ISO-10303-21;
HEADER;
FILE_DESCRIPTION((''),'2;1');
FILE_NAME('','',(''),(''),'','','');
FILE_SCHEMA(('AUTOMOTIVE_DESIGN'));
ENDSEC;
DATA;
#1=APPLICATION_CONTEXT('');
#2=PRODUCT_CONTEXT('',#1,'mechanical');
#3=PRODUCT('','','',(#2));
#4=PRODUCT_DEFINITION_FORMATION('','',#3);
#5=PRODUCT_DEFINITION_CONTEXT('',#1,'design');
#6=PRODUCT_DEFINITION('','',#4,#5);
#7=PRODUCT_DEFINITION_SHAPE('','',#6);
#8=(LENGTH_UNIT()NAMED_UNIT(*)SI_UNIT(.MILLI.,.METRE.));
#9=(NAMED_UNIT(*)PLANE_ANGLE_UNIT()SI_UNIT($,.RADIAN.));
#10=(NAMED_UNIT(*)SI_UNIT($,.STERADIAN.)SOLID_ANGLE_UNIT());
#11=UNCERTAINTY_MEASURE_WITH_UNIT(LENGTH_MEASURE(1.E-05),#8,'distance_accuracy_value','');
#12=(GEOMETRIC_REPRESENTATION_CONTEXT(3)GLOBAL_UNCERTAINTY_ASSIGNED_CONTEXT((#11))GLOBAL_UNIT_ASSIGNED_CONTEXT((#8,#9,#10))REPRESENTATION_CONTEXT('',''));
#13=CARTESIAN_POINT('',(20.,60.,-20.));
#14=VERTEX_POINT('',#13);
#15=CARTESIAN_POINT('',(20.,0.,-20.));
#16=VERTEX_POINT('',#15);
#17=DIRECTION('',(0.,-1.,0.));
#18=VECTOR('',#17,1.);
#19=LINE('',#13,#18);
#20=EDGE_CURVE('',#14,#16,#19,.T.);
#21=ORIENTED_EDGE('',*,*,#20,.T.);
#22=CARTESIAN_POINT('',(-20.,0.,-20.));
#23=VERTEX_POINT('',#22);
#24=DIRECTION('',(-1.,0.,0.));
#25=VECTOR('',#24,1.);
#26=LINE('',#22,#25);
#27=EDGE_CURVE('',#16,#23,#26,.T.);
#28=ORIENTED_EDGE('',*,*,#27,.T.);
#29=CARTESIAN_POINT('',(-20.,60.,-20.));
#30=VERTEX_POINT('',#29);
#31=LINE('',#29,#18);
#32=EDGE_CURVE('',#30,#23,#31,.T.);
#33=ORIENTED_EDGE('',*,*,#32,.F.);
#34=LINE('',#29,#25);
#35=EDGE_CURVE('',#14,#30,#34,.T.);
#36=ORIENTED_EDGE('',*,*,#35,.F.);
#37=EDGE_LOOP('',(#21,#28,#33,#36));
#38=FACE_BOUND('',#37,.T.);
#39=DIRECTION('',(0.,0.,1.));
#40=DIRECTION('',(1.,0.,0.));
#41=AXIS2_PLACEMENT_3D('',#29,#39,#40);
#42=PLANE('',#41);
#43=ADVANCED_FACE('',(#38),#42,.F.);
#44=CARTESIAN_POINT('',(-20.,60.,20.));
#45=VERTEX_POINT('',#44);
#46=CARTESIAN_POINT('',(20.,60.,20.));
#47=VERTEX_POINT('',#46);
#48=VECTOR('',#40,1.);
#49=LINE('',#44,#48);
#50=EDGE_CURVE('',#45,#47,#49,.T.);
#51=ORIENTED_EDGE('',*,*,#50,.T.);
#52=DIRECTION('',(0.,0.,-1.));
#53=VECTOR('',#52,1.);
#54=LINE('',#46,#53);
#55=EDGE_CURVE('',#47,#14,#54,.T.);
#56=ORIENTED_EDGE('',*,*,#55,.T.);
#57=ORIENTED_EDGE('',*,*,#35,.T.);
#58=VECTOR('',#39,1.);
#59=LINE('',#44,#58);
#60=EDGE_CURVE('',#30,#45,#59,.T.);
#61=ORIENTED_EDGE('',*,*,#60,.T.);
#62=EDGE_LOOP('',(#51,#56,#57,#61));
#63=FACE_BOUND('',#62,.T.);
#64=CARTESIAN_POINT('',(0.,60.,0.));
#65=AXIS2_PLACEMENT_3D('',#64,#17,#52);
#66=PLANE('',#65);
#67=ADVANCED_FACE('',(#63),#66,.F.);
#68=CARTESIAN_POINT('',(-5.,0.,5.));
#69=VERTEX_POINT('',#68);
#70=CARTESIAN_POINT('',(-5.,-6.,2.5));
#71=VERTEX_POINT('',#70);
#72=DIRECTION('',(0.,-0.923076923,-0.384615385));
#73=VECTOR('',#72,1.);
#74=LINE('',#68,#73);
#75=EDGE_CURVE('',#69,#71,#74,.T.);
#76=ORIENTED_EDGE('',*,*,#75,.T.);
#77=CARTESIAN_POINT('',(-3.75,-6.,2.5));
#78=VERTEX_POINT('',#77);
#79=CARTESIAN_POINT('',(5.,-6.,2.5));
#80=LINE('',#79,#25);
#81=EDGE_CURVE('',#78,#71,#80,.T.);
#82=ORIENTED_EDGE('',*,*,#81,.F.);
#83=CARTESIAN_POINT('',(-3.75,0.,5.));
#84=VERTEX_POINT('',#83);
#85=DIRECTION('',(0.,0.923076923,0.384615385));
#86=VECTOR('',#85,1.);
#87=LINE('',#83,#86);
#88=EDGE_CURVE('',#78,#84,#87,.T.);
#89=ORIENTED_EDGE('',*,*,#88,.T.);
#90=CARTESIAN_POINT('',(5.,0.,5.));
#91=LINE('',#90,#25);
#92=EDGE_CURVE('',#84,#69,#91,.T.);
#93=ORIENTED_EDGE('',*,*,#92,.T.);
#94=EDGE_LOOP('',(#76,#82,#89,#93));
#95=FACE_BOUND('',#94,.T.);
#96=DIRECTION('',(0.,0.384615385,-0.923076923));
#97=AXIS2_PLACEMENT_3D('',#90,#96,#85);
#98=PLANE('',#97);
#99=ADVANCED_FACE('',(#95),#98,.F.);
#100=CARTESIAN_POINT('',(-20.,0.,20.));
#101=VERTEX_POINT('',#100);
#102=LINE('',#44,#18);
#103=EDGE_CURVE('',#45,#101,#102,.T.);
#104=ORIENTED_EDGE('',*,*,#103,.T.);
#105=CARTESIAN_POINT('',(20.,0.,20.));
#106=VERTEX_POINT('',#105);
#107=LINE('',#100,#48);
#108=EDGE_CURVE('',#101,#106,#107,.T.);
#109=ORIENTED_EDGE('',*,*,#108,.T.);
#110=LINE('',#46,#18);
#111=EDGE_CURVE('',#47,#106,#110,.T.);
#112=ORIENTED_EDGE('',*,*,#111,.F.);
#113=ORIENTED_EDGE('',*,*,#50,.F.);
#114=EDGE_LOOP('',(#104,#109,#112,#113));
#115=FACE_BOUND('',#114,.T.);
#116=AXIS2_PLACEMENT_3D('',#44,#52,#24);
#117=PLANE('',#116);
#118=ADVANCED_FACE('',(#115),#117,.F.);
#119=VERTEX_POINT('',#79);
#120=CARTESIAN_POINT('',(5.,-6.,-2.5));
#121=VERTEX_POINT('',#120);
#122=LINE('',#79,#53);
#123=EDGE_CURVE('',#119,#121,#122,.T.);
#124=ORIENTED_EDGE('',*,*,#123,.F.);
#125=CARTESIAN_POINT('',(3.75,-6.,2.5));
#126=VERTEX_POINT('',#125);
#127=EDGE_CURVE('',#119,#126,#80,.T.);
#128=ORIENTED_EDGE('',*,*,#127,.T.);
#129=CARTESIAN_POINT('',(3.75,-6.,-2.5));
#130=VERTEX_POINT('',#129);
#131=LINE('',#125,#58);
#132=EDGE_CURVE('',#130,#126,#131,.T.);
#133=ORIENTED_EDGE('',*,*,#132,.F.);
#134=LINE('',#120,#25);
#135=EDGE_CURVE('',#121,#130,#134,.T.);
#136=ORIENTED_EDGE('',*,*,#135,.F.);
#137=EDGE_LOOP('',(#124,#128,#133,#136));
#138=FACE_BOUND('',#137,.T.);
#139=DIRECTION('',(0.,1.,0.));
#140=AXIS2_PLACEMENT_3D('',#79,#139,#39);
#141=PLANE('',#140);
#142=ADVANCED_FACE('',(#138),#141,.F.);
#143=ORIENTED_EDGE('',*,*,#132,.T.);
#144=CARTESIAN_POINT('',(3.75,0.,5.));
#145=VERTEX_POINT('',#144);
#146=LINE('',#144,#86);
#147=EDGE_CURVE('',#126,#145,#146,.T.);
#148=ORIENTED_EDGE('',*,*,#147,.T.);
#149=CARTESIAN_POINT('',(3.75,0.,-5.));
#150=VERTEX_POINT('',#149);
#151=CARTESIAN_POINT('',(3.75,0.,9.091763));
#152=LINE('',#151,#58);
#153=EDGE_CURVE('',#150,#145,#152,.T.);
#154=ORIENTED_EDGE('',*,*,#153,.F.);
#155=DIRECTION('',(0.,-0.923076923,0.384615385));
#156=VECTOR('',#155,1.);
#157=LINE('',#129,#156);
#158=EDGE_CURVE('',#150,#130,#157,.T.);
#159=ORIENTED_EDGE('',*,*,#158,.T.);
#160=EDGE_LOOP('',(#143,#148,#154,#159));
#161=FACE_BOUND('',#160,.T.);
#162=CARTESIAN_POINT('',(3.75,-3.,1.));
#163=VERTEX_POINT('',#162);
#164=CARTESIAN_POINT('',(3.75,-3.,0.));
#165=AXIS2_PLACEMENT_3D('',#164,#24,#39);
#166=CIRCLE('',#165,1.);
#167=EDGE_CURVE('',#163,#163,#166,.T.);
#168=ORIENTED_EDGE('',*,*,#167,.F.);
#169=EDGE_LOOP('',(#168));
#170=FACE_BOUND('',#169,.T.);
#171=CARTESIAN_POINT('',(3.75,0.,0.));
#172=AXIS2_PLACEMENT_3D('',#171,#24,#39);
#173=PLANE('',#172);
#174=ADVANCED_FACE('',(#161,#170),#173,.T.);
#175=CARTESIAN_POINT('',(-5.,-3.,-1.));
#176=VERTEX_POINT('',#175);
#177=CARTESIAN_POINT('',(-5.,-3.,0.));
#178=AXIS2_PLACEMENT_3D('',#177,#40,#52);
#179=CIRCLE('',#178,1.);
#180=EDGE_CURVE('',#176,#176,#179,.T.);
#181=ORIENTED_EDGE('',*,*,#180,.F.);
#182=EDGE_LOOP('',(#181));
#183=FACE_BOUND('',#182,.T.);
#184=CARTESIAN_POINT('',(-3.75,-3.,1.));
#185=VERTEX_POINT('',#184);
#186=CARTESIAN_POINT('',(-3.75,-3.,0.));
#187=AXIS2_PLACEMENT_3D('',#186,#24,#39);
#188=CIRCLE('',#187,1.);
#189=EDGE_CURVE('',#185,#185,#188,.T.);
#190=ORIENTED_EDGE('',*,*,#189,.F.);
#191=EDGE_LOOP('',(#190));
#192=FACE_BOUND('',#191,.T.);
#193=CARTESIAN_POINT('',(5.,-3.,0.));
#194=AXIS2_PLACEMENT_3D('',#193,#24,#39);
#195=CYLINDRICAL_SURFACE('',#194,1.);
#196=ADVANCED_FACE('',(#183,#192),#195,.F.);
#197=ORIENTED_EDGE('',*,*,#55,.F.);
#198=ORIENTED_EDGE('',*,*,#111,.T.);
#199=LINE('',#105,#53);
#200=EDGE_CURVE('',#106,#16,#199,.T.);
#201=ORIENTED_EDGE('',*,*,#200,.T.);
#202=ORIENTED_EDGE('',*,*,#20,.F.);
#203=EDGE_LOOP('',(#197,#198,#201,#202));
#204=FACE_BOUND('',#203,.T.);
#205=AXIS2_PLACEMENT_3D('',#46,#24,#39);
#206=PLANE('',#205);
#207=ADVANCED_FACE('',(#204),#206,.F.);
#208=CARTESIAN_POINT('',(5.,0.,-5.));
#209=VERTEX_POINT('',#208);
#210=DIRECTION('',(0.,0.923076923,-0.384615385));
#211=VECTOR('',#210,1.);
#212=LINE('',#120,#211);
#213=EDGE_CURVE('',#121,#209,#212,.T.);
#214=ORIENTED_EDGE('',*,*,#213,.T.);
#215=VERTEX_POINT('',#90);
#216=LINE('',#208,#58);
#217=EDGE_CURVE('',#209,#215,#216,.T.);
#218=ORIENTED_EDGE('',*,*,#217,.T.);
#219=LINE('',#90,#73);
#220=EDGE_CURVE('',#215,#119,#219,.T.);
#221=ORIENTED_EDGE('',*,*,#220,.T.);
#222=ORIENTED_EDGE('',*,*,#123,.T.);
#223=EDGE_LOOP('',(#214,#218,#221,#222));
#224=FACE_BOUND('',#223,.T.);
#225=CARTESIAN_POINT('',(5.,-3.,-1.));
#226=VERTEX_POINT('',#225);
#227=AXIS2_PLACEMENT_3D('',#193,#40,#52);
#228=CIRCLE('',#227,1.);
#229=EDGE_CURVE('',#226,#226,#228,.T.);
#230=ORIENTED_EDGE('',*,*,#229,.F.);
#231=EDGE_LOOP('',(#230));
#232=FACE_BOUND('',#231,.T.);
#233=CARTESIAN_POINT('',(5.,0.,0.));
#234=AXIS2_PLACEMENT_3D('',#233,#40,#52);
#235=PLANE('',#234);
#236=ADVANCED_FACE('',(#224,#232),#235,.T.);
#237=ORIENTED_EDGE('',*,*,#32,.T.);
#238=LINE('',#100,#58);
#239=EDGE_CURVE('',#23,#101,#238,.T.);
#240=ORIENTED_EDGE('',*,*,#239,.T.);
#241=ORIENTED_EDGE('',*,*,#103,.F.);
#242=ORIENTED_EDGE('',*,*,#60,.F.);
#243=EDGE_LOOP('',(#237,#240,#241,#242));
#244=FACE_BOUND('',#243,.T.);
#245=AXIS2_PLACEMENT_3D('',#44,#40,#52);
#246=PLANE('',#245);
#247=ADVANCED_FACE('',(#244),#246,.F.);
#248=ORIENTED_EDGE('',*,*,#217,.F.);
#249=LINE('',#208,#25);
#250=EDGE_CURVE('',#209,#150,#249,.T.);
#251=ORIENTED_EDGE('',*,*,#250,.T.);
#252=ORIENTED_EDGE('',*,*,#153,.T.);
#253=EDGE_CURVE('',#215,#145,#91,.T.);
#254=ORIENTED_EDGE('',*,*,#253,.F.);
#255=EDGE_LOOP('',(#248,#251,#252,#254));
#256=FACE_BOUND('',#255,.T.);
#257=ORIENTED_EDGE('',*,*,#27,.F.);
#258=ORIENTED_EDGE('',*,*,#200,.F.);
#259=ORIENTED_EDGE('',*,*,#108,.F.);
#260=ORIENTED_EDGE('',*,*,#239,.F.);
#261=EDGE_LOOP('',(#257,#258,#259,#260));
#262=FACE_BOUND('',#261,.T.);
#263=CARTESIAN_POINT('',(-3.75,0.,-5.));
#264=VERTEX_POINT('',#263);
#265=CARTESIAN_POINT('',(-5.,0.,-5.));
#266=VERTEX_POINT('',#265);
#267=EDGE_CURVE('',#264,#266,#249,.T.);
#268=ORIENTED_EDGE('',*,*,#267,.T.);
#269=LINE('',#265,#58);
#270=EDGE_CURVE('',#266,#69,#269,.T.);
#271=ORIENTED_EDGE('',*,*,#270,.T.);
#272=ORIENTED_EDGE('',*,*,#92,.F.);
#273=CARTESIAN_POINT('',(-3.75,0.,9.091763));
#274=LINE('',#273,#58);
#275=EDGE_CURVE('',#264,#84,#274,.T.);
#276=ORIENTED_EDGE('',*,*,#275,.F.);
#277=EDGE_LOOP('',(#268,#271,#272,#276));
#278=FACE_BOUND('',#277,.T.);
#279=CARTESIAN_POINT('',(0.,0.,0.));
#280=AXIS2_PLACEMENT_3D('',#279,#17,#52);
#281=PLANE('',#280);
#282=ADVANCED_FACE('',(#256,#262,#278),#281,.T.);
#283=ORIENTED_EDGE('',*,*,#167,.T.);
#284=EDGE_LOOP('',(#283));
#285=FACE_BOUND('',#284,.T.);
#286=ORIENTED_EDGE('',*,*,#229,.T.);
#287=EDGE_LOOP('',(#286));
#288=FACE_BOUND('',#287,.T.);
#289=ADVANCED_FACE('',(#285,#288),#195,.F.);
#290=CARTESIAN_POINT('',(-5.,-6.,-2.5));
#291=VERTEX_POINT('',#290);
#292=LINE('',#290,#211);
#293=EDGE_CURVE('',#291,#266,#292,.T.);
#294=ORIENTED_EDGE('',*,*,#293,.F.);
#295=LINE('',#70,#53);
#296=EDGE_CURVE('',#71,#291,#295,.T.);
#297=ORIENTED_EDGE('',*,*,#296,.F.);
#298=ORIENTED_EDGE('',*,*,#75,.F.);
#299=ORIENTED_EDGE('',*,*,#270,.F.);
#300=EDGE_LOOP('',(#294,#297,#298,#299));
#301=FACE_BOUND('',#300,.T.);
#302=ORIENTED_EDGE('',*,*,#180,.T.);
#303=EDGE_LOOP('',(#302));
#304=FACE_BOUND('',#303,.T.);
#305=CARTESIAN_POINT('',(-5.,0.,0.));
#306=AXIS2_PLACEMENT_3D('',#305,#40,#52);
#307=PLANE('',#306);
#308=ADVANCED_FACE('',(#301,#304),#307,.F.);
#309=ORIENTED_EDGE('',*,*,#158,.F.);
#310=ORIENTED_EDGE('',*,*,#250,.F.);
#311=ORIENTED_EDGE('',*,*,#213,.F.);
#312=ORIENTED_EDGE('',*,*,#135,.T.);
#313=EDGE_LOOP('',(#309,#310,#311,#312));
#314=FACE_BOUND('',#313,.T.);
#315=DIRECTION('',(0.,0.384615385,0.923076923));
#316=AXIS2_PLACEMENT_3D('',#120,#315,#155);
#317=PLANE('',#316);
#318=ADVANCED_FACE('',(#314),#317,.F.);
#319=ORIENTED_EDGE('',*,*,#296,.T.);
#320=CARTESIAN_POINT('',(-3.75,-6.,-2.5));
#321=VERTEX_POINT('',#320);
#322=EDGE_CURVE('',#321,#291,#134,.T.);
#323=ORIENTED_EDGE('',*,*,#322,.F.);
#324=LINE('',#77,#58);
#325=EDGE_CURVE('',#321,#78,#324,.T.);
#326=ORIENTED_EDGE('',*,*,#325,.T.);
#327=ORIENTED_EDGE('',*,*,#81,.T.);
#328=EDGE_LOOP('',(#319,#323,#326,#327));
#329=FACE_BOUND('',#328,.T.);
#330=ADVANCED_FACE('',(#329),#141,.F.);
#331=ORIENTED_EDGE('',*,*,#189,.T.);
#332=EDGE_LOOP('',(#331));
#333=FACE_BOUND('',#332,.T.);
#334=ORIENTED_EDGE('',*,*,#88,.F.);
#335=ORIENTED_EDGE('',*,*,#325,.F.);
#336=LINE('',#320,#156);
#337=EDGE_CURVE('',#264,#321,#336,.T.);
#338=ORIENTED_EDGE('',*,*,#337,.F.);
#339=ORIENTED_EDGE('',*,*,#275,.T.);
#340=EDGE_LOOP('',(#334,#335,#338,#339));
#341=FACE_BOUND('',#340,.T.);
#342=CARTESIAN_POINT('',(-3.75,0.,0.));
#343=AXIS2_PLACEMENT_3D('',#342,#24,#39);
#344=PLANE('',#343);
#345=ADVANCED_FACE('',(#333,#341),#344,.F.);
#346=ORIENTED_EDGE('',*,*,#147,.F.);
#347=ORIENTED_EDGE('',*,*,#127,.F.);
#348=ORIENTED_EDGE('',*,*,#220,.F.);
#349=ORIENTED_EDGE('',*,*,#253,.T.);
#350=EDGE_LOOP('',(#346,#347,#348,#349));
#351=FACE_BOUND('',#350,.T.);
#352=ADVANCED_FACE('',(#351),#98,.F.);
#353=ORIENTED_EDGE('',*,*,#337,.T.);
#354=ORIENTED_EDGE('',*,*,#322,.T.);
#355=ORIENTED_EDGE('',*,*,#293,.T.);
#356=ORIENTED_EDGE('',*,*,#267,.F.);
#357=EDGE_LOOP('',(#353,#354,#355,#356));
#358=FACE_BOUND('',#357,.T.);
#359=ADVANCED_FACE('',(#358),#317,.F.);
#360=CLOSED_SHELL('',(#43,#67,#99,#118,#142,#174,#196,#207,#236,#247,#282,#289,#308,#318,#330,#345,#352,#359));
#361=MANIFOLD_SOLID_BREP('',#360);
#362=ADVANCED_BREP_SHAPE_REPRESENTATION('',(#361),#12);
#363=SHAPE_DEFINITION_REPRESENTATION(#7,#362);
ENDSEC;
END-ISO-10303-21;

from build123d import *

# Parameters (mm, degrees)
SKETCH1_W           = 40
SKETCH1_H           = 40
BOSS_EXTRUDE1_DEPTH = 60
SKETCH3_R           = 1
BOSS_EXTRUDE2_DEPTH = 5
SKETCH4_W           = 19.244231552
SKETCH4_H           = 7.397169782
CUT_EXTRUDE1_DEPTH  = 3.75


with BuildPart() as part:
    # Sketch1 → Boss-Extrude1 (new body)
    with BuildSketch(Plane(origin=(0, 0, 0), x_dir=(1, 0, 0), z_dir=(0, 1, 0))):
        Rectangle(SKETCH1_W, SKETCH1_H)
    extrude(amount=BOSS_EXTRUDE1_DEPTH)

    # Sketch3 → Boss-Extrude2 (add, symmetric)
    with BuildSketch(Plane(origin=(0, 0, 0), x_dir=(0, 0, -1), z_dir=(1, 0, 0))):
        Polygon((-5, 0), (-2.5, -6), (2.5, -6), (5, 0), align=None)
        with Locations((0, -3)):
            Circle(SKETCH3_R, mode=Mode.SUBTRACT)
    extrude(amount=BOSS_EXTRUDE2_DEPTH, both=True)

    # Sketch4 → Cut-Extrude1 (cut, symmetric)
    with BuildSketch(Plane(origin=(0, 0, 0), x_dir=(0, 0, -1), z_dir=(1, 0, 0))):
        with Locations((0.530352838, -3.698584891)):
            Rectangle(SKETCH4_W, SKETCH4_H)
    extrude(amount=CUT_EXTRUDE1_DEPTH, both=True, mode=Mode.SUBTRACT)


solid = part.part
